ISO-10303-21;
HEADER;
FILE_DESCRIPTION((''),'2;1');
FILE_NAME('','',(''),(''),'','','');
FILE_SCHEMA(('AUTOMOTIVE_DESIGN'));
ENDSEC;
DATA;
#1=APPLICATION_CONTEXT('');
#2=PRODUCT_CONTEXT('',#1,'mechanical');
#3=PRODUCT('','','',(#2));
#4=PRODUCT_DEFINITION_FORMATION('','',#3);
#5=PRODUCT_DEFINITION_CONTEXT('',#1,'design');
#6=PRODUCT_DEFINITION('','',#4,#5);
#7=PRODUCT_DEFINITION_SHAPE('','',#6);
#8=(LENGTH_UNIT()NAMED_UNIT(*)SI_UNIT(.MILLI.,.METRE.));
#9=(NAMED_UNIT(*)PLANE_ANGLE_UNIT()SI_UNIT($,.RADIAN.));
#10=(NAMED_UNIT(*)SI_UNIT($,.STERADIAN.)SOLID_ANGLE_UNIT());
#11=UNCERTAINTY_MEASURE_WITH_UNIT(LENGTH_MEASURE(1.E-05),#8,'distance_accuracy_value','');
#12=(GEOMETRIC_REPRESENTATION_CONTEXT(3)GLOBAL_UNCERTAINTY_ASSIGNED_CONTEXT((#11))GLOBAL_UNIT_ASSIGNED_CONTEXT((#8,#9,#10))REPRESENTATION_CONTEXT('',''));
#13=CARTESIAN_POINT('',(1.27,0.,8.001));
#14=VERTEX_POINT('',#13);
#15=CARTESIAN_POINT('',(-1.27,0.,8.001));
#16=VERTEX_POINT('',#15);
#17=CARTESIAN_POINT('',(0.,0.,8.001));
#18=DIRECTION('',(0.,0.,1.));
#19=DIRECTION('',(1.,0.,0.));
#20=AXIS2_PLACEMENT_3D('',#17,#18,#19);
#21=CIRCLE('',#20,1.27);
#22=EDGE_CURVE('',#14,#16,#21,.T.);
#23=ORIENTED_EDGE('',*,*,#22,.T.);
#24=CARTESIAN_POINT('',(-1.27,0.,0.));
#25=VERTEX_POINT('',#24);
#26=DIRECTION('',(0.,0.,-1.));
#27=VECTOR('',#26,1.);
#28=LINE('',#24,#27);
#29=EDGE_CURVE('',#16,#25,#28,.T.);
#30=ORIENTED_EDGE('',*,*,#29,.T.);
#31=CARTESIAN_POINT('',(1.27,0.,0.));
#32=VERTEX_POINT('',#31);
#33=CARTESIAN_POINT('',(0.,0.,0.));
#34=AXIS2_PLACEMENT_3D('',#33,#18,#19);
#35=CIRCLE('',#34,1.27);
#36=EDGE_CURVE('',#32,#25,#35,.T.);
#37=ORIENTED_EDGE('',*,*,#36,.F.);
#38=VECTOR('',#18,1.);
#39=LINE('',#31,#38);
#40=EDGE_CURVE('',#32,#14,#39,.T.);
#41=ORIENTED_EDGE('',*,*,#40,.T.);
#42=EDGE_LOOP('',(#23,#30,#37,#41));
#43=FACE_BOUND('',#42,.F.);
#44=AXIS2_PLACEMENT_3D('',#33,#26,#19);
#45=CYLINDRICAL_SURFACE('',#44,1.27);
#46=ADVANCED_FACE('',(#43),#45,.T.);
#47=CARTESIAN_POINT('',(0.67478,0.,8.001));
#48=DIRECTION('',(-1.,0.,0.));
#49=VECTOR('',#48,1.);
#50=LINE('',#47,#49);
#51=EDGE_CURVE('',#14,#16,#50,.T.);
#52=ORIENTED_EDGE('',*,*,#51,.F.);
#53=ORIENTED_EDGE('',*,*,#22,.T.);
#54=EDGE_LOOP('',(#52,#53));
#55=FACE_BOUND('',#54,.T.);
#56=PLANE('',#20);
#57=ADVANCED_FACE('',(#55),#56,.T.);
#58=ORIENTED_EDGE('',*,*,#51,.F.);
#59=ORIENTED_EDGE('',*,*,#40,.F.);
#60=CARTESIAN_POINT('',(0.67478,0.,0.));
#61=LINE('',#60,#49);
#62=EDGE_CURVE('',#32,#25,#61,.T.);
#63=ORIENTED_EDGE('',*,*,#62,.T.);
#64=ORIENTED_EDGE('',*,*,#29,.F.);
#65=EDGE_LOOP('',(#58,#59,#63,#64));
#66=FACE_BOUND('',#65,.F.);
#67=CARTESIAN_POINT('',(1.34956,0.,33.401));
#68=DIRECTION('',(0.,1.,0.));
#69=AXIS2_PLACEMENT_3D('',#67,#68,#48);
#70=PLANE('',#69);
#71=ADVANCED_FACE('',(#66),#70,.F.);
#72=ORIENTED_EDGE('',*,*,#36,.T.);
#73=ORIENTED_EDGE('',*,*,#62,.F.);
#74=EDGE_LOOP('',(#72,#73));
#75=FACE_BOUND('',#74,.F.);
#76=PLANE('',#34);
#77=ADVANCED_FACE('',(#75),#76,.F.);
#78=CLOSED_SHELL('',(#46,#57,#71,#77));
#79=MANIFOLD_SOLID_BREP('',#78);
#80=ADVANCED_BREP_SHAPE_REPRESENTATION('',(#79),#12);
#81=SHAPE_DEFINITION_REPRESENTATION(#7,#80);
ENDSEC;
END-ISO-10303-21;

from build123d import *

# Parameters (mm, degrees)
F0_R     = 1.27
F1_DEPTH = 8.001
F4_DEPTH = 52.8574


with BuildPart() as f1:
    # F0 (on Top) → F1 (new body)
    with BuildSketch(Plane.XY):
        Circle(F0_R)
    extrude(amount=F1_DEPTH)

    # F3 (on offset) → F4 (cut)
    with BuildSketch(Plane.XY.offset(33.401)):
        with BuildLine():
            Line((1.34956, 0), (-1.353624, 0))
            ThreePointArc((-1.353624, 0), (-0.002032, -1.503464), (1.34956, 0))
        make_face()
    extrude(amount=-F4_DEPTH, mode=Mode.SUBTRACT)


solid = f1.part
